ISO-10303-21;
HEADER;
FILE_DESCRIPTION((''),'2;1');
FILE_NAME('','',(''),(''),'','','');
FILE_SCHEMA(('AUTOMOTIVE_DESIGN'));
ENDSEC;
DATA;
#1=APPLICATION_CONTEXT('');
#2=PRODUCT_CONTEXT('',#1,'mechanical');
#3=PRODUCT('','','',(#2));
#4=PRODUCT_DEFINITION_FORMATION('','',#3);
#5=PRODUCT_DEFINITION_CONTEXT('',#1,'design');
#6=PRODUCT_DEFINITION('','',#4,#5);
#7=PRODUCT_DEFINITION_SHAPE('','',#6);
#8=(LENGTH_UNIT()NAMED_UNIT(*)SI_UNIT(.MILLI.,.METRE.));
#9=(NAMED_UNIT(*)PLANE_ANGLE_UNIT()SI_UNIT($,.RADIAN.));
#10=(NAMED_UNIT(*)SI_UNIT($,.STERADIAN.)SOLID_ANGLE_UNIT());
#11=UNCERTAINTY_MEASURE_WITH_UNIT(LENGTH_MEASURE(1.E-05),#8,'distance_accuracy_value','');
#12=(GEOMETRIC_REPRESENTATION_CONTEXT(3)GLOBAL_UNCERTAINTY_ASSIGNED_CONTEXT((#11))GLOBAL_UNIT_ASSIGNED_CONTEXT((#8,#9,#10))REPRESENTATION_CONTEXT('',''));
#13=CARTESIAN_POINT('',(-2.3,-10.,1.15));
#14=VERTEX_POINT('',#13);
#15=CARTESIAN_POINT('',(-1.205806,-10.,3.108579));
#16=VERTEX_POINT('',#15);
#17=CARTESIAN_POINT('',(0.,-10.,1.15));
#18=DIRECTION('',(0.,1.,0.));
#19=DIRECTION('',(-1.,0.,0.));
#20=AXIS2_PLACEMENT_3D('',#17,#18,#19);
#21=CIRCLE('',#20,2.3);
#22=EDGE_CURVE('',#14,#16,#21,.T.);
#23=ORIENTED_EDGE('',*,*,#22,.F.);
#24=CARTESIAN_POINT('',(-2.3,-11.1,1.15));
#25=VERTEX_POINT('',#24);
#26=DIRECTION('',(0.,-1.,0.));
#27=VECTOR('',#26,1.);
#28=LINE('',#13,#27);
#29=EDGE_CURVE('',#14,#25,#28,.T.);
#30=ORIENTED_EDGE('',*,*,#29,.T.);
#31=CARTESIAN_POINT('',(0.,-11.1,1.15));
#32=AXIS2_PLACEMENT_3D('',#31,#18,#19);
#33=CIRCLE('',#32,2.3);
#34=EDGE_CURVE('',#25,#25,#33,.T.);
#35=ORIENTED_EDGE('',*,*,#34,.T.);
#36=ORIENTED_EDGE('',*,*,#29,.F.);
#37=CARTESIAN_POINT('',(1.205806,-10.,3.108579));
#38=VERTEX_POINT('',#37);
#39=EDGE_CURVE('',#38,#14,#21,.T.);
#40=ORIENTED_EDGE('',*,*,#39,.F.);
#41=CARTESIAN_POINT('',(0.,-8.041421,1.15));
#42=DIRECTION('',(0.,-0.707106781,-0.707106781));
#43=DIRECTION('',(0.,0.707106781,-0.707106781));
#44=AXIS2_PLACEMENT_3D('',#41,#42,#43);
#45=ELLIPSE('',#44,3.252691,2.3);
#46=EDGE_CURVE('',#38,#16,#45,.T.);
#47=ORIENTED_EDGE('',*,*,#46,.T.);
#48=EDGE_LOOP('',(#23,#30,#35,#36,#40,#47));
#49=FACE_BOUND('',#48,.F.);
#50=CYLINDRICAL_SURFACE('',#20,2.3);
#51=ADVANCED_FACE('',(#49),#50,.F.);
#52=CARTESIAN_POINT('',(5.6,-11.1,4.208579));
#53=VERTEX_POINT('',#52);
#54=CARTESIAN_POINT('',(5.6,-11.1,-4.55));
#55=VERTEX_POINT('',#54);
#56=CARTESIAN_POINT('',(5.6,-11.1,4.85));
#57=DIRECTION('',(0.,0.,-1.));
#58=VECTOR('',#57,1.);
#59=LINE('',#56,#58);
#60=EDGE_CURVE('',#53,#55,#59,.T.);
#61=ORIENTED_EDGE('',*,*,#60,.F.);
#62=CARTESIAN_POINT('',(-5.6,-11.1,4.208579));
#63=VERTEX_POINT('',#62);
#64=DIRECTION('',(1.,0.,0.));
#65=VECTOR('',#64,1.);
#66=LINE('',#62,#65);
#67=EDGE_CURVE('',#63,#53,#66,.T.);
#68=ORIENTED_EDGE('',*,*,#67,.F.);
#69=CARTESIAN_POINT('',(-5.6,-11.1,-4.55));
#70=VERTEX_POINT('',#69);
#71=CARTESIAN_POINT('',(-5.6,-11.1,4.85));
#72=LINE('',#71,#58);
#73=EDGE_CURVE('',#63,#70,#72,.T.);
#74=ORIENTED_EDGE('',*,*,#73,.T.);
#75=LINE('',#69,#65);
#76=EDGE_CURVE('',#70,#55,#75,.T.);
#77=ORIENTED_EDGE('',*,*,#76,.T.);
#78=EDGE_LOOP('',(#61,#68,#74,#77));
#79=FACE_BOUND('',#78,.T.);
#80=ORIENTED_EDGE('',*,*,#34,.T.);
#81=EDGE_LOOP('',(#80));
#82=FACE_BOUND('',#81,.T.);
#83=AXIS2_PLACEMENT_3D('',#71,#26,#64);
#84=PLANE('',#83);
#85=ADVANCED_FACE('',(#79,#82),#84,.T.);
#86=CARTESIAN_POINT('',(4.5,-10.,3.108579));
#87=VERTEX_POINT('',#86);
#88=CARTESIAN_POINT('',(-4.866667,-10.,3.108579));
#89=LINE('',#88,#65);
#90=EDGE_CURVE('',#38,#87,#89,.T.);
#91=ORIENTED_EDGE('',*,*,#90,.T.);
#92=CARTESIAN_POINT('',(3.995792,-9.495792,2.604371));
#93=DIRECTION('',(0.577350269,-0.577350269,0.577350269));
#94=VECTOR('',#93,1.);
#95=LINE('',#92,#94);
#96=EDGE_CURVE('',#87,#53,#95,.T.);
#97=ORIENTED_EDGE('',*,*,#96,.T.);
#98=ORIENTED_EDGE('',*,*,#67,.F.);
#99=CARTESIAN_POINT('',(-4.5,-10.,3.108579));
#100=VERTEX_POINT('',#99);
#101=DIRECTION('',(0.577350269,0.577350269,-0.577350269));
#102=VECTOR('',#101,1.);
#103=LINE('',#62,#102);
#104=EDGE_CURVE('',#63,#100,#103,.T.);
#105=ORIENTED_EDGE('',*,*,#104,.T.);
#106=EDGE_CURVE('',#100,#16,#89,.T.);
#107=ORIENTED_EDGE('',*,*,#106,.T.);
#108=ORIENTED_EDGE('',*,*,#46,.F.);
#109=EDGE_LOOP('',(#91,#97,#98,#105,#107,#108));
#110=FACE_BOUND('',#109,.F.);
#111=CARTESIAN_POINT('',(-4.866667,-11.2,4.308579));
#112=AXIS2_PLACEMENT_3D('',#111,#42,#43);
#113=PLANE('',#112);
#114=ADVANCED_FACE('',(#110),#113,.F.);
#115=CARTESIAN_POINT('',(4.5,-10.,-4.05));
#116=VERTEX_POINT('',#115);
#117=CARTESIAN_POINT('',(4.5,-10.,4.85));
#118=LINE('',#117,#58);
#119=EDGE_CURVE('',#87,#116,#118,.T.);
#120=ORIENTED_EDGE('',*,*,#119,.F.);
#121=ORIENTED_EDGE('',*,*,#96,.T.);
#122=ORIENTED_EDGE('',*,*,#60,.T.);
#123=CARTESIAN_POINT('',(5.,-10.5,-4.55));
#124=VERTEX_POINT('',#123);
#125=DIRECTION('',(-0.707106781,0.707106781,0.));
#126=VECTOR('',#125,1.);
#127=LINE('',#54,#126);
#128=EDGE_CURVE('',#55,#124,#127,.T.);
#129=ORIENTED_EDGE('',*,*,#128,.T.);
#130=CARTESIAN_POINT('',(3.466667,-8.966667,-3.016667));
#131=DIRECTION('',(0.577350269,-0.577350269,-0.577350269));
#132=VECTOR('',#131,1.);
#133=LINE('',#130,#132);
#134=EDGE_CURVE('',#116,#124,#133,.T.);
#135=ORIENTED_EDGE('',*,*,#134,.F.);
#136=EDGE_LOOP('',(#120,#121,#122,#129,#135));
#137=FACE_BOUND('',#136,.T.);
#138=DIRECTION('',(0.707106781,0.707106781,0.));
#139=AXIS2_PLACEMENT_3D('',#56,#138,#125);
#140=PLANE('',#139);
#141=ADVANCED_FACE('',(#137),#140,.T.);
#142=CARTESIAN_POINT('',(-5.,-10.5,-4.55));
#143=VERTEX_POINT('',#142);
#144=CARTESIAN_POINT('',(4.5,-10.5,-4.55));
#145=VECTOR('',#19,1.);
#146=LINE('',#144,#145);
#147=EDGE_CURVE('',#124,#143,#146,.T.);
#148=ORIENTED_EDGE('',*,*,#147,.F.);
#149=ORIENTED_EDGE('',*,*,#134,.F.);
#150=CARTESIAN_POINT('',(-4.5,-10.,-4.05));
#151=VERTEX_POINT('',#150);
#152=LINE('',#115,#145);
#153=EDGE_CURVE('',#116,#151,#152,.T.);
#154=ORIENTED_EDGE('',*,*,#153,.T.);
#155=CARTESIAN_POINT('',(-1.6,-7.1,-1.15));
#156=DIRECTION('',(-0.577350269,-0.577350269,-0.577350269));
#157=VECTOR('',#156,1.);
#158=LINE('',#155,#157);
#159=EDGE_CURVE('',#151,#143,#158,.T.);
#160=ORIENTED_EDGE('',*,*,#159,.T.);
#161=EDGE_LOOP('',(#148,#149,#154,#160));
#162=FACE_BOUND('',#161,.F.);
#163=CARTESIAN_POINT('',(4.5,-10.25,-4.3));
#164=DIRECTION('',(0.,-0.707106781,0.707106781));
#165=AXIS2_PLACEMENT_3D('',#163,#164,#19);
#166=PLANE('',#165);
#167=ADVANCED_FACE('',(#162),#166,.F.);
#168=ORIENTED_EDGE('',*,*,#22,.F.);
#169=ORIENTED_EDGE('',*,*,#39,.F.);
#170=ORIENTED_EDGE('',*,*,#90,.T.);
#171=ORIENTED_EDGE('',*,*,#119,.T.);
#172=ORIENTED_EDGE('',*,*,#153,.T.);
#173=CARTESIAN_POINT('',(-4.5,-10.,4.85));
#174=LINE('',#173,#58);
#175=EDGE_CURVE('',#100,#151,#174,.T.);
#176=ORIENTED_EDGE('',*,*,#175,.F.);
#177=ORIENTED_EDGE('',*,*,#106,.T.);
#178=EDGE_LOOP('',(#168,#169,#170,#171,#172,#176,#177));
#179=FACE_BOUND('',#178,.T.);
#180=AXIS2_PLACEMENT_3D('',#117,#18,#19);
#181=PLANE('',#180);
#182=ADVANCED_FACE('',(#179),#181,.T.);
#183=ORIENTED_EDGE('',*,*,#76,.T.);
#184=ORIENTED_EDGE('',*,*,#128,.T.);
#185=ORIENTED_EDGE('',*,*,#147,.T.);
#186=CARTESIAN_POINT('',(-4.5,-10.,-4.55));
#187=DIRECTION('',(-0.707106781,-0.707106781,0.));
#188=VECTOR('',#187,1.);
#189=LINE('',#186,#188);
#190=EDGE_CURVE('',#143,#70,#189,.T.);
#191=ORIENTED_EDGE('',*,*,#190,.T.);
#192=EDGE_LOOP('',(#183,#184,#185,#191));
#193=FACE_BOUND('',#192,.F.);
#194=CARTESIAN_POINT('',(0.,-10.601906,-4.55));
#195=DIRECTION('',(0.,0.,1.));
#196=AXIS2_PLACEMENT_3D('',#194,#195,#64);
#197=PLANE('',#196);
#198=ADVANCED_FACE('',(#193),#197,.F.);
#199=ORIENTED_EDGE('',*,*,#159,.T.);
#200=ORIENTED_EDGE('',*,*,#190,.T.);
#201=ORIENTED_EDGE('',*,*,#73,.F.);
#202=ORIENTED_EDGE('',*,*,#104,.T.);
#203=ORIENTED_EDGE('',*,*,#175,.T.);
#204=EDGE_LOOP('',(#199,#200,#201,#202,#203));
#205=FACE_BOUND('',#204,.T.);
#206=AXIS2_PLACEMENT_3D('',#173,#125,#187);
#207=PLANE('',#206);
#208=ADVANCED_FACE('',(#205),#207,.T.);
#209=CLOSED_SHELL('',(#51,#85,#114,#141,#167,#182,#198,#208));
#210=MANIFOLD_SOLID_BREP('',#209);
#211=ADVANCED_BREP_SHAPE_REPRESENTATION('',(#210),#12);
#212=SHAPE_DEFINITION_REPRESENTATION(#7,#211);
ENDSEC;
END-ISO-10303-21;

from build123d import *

# Parameters (mm, degrees)
PAD013_DEPTH         = 9.4
POCKET039_DEPTH      = 100
POCKET039_DEPTH_BACK = 100
SKETCH049_R          = 2.3
POCKET040_DEPTH      = 1.101
CHAMFER010_SIZE      = 0.5


with BuildPart() as part:
    # Sketch047 (on Face1 of ShapeBinder008) → Pad013 (new body)
    with BuildSketch(Plane.XY.offset(4.85)):
        Polygon((-4.5, -10), (-5.6, -11.1), (5.6, -11.1), (4.5, -10), align=None)
    extrude(amount=-PAD013_DEPTH)

    # Sketch048 (on DatumPlane) → Pocket039 (cut, two sides)
    with BuildSketch(Plane(origin=(-4.866667, -10.366667, 1.716667), x_dir=(0, -1, 0), z_dir=(-1, 0, 0))) as pocket039_sk:
        Polygon((0.833333, 2.591912), (-0.366667, 1.391912), (-1.166667, 1.391912), (-1.166667, 3.391912), (0.833333, 3.391912), align=None)
    extrude(amount=-POCKET039_DEPTH, mode=Mode.SUBTRACT)
    extrude(pocket039_sk.sketch, amount=POCKET039_DEPTH_BACK, mode=Mode.SUBTRACT)

    # Sketch049 (on Face5 of Pocket039) → Pocket040 (cut, through all)
    with BuildSketch(Plane(origin=(0, -10, 0), x_dir=(-1, 0, 0), z_dir=(0, 1, 0))):
        with Locations((0, 1.15)):
            Circle(SKETCH049_R)
    extrude(amount=-POCKET040_DEPTH, mode=Mode.SUBTRACT)

    # Chamfer010
    chamfer010_edges = [part.edges().sort_by_distance(p)[0] for p in [
        (0, -10, -4.55),
    ]]
    chamfer(chamfer010_edges, length=CHAMFER010_SIZE)


solid = part.part
